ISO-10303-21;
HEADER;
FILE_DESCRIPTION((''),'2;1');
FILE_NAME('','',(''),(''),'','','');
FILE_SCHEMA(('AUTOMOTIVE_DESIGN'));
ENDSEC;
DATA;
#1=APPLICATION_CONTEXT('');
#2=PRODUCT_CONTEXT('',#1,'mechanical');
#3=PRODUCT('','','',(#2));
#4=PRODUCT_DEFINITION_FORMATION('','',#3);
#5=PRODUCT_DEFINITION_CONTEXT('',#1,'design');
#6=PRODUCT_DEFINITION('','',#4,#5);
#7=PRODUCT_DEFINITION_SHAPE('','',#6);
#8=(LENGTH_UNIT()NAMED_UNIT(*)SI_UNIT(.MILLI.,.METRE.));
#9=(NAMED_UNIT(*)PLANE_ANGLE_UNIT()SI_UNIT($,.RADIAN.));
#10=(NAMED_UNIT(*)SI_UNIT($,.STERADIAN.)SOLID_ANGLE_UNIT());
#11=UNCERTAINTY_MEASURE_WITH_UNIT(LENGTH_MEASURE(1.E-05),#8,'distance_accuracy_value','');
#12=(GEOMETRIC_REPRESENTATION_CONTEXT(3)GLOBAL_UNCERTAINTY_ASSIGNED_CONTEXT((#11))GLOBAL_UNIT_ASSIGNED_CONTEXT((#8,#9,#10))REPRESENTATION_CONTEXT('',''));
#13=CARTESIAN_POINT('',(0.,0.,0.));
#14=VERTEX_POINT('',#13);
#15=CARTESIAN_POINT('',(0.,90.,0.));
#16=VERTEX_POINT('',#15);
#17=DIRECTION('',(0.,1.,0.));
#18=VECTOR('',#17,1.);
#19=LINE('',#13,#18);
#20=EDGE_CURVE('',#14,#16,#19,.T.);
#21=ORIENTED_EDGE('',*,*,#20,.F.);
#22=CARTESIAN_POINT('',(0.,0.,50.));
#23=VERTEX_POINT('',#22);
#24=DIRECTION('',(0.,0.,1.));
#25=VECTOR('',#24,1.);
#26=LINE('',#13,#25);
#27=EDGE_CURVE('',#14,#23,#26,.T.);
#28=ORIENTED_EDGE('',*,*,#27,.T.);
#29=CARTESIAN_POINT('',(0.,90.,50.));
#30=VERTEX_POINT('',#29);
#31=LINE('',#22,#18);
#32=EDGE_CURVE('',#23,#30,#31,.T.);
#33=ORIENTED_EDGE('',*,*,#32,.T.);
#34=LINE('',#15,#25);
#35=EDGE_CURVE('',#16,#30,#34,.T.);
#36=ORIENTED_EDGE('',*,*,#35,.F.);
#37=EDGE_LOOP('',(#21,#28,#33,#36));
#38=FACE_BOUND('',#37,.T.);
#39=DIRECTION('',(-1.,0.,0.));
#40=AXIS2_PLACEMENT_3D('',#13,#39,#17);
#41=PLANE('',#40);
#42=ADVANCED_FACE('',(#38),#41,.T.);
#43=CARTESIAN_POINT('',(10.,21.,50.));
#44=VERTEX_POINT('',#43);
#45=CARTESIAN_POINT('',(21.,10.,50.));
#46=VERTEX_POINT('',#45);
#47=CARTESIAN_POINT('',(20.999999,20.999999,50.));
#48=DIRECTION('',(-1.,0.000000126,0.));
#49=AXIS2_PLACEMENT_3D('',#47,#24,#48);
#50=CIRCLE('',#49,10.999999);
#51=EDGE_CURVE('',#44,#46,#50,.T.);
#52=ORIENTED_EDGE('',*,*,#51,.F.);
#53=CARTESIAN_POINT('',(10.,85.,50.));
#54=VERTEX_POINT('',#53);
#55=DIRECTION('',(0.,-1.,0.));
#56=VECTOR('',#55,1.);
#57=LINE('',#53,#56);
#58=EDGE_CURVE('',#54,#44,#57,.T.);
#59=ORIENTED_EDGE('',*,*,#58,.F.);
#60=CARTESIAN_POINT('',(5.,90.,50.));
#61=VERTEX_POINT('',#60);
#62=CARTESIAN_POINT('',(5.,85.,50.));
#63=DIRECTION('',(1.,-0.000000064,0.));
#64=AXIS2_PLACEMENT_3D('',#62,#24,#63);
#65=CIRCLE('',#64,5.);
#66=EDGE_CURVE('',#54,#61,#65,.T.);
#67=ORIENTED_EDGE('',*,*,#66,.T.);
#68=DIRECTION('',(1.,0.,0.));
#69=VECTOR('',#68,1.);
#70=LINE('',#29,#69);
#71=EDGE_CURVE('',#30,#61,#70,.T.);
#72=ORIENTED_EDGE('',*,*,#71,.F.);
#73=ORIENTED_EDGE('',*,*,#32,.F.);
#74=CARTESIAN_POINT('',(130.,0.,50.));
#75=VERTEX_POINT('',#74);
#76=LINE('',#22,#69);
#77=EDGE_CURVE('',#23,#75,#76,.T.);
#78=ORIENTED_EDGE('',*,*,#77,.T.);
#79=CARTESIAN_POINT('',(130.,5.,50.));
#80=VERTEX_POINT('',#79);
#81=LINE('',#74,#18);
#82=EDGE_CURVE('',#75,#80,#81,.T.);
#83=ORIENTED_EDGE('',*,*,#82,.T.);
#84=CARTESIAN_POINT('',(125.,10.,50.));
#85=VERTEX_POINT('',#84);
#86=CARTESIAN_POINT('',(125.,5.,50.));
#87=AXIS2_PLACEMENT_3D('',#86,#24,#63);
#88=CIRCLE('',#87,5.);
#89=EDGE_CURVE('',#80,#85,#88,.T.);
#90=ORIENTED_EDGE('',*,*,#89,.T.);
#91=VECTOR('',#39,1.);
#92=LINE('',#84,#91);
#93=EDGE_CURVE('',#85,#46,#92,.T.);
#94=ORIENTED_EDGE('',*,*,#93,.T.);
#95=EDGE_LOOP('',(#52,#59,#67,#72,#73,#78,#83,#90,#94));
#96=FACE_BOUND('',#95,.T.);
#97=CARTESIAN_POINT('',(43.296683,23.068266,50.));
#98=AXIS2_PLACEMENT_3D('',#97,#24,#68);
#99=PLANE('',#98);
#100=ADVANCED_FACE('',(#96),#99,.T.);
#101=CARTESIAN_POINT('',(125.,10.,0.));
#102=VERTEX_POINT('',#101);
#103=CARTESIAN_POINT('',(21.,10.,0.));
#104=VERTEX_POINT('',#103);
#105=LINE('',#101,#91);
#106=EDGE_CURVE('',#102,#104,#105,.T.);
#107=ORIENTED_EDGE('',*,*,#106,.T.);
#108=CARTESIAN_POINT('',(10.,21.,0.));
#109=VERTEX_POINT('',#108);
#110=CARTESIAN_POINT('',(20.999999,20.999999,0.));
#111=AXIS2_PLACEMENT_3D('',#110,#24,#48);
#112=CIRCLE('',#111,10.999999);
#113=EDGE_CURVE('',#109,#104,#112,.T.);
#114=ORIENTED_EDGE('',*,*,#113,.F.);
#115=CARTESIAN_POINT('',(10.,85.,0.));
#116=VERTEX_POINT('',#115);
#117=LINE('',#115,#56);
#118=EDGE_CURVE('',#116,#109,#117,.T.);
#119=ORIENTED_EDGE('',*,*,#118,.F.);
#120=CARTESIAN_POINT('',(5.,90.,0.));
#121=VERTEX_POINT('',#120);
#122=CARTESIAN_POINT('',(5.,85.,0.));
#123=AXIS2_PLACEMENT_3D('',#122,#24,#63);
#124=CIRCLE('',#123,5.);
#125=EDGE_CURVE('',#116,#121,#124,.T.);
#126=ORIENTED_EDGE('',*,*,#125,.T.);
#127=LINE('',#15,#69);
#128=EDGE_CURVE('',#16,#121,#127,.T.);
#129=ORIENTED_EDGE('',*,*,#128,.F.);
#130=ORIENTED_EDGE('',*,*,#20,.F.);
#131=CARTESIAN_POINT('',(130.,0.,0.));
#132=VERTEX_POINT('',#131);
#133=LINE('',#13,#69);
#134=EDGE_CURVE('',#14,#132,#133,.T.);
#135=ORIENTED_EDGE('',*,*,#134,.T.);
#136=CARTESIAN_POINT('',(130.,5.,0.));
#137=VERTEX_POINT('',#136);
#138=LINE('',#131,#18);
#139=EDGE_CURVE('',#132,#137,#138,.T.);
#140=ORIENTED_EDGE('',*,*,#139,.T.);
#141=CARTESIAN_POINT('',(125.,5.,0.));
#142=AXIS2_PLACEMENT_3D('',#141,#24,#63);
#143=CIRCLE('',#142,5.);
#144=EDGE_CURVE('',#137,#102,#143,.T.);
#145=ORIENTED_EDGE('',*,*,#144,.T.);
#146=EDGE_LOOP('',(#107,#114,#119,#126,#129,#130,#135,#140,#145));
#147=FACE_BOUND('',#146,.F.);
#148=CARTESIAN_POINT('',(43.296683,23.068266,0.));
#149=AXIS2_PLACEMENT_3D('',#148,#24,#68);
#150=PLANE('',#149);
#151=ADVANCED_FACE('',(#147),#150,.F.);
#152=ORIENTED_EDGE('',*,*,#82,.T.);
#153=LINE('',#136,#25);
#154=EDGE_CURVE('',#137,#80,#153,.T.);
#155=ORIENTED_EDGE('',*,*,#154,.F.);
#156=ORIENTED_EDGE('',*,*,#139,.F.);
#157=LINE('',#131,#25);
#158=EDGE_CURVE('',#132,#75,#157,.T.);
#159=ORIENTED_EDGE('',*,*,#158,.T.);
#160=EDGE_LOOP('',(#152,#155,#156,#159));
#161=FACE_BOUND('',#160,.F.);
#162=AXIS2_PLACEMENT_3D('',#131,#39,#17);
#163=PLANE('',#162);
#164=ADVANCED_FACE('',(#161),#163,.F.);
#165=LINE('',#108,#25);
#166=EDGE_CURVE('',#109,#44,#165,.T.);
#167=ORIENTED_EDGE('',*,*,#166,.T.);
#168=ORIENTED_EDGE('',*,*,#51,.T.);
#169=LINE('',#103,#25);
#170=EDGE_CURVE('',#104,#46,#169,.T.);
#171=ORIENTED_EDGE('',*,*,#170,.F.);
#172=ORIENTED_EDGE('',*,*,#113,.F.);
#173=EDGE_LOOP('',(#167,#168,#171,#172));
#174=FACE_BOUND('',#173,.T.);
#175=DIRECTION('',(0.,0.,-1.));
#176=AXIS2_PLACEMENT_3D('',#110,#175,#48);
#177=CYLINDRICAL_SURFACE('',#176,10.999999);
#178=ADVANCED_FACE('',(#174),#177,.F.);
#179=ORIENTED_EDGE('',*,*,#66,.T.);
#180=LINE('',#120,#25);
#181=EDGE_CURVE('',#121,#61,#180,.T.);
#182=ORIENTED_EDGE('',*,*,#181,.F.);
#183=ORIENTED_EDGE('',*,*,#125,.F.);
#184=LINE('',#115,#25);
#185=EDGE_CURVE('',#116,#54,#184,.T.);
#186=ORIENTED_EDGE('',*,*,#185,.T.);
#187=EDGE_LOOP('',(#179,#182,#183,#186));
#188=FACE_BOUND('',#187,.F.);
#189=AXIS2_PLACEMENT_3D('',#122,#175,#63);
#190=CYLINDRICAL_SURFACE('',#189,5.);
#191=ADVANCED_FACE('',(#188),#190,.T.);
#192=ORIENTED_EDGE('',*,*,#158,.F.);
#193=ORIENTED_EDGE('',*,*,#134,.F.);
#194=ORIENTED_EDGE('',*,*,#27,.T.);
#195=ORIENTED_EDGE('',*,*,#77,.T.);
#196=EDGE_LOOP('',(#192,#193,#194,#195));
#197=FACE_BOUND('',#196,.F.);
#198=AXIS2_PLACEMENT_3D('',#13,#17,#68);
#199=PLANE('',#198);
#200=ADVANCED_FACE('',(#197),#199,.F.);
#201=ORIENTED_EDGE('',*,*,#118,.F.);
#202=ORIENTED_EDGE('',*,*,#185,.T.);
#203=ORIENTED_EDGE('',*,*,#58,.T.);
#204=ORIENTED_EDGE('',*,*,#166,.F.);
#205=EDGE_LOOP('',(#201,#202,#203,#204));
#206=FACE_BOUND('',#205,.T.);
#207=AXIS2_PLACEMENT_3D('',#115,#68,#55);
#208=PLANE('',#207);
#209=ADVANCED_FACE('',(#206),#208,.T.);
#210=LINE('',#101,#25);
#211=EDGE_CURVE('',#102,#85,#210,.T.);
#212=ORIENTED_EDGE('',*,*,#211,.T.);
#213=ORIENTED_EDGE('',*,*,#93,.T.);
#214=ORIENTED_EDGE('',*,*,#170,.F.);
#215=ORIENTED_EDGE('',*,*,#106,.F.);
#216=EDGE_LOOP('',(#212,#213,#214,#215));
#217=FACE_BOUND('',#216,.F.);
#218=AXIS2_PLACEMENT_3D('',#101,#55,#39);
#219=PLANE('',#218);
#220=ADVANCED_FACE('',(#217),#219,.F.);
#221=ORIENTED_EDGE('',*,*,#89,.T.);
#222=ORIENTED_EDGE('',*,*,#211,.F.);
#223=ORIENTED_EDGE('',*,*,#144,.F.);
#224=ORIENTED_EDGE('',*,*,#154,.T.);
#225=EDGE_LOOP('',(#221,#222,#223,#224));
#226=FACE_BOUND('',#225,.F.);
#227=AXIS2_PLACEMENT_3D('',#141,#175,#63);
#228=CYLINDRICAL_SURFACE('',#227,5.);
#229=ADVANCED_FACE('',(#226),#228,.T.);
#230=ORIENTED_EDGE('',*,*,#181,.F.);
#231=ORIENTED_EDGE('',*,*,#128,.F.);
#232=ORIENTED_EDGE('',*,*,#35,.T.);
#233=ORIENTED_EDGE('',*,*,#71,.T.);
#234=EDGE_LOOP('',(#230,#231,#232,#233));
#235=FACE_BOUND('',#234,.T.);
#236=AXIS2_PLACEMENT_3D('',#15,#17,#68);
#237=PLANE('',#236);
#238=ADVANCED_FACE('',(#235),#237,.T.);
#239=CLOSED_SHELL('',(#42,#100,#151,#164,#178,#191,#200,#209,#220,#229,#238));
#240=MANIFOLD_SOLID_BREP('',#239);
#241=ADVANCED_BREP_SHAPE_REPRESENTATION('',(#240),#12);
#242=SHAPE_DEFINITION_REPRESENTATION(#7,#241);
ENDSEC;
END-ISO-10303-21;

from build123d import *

# Parameters (mm, degrees)
EXTRUDE_DEPTH = 50


with BuildPart() as part:
    # Sketch → Extrude (new body)
    with BuildSketch(Plane.XY):
        with BuildLine():
            Line((0, 0), (130, 0))
            Line((130, 0), (130, 5))
            ThreePointArc((130, 5), (128.535534, 8.535534), (125, 10))
            Line((125, 10), (21, 10))
            ThreePointArc((10, 21), (13.221825, 13.221825), (21, 10))
            Line((10, 85), (10, 21))
            ThreePointArc((10, 85), (8.535534, 88.535534), (5, 90))
            Line((0, 90), (5, 90))
            Line((0, 0), (0, 90))
        make_face()
    extrude(amount=EXTRUDE_DEPTH)


solid = part.part
